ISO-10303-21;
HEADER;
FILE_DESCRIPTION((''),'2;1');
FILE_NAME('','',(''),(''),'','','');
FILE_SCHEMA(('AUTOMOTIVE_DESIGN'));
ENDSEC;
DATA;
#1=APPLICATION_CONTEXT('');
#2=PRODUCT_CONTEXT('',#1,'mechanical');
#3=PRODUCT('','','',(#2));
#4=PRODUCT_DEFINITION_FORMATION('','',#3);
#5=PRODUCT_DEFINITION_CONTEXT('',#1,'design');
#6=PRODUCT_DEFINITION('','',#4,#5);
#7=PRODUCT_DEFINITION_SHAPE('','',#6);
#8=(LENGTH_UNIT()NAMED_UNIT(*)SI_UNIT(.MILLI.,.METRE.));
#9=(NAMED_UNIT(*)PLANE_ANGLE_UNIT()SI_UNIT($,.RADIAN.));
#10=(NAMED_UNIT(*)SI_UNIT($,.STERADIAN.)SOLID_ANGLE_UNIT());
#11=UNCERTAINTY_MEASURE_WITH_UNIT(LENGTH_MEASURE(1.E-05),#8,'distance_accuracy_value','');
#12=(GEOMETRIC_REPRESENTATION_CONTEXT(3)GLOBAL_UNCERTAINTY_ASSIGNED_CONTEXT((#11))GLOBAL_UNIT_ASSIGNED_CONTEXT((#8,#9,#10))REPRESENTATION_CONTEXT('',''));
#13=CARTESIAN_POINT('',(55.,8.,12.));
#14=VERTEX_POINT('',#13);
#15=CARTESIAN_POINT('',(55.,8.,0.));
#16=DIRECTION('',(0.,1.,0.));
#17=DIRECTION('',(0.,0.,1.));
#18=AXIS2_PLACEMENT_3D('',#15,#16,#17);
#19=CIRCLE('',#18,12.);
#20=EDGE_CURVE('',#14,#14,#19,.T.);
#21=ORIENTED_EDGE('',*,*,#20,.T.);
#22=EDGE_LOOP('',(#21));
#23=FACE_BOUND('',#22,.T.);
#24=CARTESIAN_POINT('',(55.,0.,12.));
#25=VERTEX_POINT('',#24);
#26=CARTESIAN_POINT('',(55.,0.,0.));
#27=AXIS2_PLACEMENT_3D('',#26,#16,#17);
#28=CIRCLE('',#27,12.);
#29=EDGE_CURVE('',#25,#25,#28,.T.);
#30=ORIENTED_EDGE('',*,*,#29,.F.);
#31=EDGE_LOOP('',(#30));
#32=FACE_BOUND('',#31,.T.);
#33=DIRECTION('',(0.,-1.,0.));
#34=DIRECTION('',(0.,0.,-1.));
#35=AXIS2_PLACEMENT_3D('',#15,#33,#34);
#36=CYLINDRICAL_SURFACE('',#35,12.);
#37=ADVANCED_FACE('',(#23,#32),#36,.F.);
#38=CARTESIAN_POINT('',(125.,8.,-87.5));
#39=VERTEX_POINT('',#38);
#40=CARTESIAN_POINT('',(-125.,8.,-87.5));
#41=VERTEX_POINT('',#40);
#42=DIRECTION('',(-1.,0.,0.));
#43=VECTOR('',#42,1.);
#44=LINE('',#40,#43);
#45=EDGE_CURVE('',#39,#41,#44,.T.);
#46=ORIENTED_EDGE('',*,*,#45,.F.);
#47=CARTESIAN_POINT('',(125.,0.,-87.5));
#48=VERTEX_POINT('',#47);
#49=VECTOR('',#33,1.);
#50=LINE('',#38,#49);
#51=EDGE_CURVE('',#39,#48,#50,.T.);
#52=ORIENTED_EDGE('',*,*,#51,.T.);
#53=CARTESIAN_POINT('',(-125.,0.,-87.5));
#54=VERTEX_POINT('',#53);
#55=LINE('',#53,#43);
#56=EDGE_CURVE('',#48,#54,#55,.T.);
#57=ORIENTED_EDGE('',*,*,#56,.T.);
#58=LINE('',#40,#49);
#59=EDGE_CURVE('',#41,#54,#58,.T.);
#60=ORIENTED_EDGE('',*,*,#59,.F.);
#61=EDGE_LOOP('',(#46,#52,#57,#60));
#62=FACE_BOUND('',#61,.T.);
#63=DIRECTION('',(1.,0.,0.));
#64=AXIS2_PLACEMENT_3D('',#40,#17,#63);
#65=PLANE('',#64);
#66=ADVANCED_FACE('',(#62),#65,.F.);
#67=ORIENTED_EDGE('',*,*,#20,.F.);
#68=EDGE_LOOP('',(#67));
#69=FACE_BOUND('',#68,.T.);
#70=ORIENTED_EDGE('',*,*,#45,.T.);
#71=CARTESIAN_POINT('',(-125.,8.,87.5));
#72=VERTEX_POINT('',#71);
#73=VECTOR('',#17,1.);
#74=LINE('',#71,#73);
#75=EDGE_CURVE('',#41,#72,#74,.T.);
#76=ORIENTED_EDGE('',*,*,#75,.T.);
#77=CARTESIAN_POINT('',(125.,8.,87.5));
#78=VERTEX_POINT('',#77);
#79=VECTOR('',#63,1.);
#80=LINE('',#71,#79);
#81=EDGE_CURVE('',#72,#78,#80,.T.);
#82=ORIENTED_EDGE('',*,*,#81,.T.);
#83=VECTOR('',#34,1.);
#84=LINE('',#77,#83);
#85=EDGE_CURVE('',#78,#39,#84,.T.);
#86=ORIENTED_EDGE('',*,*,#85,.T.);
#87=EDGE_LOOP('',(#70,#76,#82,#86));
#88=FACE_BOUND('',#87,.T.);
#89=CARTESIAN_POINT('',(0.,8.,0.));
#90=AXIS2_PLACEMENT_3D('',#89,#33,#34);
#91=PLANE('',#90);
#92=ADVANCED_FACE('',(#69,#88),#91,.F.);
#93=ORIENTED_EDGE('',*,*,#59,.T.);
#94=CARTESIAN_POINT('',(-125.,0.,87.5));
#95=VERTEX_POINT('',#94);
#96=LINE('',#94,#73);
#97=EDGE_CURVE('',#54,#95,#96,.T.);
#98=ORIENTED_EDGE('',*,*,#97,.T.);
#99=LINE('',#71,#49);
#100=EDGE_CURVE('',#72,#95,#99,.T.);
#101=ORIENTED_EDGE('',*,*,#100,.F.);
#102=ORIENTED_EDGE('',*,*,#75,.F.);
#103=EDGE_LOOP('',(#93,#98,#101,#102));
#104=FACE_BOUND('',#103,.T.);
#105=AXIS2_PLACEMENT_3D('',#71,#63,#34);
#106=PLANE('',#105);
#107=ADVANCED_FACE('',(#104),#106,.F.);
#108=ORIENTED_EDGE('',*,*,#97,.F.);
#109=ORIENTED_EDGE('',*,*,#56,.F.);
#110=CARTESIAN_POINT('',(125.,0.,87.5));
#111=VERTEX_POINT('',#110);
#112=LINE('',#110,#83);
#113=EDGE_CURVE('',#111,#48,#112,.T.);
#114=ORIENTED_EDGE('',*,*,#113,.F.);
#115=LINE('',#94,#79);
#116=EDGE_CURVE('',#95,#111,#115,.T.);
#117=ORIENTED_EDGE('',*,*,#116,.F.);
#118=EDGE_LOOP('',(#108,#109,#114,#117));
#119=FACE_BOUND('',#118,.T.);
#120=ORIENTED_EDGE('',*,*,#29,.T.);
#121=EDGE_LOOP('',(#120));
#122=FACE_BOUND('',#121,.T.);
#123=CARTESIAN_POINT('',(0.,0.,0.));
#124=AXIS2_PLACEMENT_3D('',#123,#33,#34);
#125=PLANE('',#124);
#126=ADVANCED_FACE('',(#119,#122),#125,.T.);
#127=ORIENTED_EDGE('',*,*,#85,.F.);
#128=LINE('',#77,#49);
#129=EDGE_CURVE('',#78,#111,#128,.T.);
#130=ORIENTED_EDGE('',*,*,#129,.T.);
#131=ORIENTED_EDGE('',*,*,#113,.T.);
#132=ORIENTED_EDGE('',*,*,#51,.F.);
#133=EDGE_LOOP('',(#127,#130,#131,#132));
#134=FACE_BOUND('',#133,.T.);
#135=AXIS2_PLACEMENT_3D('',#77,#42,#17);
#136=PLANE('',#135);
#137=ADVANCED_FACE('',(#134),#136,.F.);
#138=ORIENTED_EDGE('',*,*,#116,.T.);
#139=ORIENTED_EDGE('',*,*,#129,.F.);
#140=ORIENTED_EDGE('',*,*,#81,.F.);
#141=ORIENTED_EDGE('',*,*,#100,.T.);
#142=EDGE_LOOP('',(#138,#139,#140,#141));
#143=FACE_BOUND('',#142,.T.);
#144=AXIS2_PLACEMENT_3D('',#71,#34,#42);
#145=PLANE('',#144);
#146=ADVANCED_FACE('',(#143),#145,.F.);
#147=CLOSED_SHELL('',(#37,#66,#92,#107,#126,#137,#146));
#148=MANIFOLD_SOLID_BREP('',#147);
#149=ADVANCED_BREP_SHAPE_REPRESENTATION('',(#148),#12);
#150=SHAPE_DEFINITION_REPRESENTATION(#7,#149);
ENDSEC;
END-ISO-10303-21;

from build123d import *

# Parameters (mm, degrees)
SKETCH1_W           = 250
SKETCH1_H           = 175
SKETCH1_R           = 12
BOSS_EXTRUDE1_DEPTH = 8


with BuildPart() as part:
    # Sketch1 → Boss-Extrude1 (new body)
    with BuildSketch(Plane(origin=(0, 0, 0), x_dir=(1, 0, 0), z_dir=(0, 1, 0))):
        Rectangle(SKETCH1_W, SKETCH1_H)
        with Locations(Location((55, 0, 0), (0, 0, 270))):
            Circle(SKETCH1_R, mode=Mode.SUBTRACT)
    extrude(amount=BOSS_EXTRUDE1_DEPTH)


solid = part.part
